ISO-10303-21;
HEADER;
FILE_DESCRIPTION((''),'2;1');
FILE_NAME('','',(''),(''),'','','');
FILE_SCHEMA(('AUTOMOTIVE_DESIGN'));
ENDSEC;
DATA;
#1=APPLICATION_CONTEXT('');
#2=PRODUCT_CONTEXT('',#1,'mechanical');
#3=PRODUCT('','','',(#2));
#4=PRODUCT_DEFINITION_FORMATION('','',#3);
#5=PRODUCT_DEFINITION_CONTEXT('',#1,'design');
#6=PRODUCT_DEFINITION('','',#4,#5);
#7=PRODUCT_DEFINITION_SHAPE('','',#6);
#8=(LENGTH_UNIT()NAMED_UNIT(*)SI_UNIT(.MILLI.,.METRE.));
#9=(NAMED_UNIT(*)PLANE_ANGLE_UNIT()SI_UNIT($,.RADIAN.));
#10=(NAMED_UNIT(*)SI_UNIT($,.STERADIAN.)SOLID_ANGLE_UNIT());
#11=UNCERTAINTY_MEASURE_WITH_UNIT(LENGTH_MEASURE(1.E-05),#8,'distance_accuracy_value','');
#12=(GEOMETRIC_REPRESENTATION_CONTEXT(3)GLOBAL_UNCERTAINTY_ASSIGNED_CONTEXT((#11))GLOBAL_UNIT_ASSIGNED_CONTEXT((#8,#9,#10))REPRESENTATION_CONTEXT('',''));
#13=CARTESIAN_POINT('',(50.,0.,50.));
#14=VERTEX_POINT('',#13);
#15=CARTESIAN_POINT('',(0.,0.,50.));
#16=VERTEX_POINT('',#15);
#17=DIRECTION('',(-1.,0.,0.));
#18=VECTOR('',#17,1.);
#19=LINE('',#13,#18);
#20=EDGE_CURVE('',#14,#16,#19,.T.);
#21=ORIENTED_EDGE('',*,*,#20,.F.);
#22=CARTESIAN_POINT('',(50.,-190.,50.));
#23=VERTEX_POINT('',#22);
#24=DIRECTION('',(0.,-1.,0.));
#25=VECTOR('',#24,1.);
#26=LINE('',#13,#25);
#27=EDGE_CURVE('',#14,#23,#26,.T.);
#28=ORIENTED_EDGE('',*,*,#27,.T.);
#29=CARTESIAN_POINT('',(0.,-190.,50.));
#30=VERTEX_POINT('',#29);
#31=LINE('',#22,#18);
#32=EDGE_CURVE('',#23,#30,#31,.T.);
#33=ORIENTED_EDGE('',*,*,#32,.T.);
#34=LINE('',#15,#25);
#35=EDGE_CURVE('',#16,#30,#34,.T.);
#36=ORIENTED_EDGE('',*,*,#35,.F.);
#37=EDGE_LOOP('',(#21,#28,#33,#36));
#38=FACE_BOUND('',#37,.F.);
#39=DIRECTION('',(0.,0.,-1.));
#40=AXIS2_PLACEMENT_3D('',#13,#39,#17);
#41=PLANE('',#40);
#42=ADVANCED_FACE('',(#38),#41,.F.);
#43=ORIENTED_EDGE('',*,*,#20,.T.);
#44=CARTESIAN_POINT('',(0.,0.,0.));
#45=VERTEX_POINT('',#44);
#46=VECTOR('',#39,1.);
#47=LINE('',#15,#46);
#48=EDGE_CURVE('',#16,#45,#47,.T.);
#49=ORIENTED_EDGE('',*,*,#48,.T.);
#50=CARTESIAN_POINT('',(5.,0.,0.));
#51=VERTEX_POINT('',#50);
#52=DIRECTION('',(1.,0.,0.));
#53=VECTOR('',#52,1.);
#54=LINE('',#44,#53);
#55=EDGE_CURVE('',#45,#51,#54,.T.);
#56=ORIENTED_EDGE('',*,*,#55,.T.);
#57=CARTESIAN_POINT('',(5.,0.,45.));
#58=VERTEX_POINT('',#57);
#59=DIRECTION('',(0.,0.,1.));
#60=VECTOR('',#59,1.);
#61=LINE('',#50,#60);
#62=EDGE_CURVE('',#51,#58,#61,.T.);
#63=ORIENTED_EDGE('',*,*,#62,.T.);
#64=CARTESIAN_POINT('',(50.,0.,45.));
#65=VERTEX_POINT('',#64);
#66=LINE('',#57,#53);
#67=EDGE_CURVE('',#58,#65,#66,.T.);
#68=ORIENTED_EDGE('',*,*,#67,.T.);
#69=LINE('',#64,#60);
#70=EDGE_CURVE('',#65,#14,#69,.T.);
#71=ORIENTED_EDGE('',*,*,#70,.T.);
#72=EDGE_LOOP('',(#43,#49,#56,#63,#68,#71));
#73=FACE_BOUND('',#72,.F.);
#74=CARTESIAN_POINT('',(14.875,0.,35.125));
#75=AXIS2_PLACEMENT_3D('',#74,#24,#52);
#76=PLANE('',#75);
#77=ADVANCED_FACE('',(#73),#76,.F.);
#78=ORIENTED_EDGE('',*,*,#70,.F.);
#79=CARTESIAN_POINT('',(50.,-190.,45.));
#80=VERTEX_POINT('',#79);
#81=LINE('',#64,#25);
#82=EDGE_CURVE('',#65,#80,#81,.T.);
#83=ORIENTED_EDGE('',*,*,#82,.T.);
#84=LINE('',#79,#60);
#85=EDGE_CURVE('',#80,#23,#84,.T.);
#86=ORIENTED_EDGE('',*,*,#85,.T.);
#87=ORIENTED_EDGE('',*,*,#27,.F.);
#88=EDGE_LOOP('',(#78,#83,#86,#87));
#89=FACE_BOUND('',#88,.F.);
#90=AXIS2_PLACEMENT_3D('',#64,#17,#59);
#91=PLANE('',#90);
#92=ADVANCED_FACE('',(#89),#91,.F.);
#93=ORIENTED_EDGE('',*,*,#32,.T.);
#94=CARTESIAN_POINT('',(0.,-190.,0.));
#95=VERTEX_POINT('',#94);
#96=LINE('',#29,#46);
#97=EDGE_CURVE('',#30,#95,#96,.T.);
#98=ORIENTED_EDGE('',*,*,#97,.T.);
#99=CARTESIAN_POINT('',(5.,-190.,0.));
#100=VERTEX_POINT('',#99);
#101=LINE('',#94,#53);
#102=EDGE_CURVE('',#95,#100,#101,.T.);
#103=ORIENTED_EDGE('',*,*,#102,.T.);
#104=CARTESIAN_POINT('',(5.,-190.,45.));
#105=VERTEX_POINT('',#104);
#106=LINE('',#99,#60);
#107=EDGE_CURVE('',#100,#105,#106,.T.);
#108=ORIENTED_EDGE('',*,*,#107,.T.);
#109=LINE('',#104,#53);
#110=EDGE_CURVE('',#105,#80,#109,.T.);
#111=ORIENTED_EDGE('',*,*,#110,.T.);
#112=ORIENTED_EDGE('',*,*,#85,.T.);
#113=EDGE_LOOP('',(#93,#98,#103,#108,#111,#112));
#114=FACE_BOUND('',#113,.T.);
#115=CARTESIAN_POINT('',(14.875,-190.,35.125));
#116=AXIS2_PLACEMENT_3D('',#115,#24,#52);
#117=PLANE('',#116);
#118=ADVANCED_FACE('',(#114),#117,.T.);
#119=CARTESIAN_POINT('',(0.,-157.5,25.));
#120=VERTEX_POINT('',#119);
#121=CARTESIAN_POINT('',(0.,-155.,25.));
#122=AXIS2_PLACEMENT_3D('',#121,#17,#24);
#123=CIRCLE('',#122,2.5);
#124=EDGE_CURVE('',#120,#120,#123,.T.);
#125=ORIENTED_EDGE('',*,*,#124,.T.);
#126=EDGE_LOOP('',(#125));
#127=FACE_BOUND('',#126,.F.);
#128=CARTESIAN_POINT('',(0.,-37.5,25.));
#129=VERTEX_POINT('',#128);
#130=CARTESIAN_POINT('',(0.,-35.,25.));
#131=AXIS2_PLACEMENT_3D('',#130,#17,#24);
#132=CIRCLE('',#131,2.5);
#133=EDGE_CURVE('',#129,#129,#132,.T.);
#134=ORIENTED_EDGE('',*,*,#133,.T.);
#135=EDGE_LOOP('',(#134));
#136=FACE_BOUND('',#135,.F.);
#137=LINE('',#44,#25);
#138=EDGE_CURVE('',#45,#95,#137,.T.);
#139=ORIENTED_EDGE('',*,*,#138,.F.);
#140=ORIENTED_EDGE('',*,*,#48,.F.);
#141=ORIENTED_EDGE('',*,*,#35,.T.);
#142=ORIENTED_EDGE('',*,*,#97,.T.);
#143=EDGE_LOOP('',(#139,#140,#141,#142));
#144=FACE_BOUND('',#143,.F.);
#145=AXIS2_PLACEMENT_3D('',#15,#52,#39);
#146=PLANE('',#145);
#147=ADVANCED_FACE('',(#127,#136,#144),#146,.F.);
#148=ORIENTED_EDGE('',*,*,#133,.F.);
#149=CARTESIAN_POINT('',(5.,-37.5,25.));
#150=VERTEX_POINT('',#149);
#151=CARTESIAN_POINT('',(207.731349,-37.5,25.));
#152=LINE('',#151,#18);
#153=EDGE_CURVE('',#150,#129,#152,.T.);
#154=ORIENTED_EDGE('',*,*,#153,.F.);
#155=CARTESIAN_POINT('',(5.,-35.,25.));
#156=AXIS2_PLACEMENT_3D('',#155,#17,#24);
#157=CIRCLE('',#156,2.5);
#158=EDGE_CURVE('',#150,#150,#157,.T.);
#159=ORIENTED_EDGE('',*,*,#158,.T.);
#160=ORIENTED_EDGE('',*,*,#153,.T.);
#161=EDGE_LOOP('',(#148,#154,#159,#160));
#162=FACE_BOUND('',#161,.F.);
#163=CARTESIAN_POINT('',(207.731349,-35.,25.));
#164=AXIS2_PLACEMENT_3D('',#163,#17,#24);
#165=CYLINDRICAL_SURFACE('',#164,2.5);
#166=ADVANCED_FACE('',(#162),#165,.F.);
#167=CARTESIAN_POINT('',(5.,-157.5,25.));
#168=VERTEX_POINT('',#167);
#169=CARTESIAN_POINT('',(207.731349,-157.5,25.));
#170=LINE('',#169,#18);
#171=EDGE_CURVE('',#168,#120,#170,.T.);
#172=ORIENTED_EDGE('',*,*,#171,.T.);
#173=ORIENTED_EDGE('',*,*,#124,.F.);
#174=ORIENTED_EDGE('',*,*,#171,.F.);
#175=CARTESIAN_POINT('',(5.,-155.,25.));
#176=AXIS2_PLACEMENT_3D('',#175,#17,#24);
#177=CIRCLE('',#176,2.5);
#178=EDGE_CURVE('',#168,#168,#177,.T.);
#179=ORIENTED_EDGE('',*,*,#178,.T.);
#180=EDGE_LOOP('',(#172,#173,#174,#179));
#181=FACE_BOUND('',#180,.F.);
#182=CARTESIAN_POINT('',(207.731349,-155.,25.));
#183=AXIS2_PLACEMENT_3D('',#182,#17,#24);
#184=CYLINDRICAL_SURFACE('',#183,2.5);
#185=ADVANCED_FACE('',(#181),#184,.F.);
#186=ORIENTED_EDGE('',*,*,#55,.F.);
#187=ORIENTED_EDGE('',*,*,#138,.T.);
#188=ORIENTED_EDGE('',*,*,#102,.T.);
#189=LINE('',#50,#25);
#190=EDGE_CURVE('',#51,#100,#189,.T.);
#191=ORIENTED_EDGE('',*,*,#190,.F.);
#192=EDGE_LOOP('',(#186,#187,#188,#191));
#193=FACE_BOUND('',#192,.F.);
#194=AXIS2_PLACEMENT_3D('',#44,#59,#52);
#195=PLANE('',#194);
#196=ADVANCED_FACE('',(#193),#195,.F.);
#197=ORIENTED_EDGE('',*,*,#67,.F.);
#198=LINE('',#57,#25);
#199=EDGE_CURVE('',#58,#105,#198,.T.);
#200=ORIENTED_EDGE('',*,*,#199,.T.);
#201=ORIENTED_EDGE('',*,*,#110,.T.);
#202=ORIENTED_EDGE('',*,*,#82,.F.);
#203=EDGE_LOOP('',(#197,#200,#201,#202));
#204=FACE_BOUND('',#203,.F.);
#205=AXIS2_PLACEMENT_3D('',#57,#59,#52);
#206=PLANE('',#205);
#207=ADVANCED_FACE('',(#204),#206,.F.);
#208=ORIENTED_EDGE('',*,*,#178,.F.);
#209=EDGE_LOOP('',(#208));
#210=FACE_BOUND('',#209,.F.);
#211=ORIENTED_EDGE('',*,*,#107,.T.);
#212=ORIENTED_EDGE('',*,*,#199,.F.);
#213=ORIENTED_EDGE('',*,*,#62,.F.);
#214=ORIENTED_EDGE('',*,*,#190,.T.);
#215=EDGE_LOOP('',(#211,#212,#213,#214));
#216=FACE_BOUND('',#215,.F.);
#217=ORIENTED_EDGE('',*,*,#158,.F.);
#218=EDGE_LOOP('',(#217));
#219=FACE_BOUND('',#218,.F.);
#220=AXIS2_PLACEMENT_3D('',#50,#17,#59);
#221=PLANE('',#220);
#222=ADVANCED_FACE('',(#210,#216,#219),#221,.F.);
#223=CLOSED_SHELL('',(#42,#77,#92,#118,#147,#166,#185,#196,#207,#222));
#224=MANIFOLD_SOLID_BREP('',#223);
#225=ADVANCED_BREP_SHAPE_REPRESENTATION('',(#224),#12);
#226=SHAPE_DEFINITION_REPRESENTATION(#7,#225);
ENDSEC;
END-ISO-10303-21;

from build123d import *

# Parameters (mm, degrees)
F1_DEPTH = 190
F3_D     = 5


with BuildPart() as f1:
    # F0 (on Front) → F1 (new body)
    with BuildSketch(Plane.XZ):
        Polygon((0, 50), (0, 0), (5, 0), (5, 45), (50, 45), (50, 50), align=None)
    extrude(amount=F1_DEPTH)

    # F3 (through all)
    with Locations(Plane.YZ.offset(5)):
        with Locations((-155, 25), (-35, 25)):
            Hole(F3_D / 2)


solid = f1.part
